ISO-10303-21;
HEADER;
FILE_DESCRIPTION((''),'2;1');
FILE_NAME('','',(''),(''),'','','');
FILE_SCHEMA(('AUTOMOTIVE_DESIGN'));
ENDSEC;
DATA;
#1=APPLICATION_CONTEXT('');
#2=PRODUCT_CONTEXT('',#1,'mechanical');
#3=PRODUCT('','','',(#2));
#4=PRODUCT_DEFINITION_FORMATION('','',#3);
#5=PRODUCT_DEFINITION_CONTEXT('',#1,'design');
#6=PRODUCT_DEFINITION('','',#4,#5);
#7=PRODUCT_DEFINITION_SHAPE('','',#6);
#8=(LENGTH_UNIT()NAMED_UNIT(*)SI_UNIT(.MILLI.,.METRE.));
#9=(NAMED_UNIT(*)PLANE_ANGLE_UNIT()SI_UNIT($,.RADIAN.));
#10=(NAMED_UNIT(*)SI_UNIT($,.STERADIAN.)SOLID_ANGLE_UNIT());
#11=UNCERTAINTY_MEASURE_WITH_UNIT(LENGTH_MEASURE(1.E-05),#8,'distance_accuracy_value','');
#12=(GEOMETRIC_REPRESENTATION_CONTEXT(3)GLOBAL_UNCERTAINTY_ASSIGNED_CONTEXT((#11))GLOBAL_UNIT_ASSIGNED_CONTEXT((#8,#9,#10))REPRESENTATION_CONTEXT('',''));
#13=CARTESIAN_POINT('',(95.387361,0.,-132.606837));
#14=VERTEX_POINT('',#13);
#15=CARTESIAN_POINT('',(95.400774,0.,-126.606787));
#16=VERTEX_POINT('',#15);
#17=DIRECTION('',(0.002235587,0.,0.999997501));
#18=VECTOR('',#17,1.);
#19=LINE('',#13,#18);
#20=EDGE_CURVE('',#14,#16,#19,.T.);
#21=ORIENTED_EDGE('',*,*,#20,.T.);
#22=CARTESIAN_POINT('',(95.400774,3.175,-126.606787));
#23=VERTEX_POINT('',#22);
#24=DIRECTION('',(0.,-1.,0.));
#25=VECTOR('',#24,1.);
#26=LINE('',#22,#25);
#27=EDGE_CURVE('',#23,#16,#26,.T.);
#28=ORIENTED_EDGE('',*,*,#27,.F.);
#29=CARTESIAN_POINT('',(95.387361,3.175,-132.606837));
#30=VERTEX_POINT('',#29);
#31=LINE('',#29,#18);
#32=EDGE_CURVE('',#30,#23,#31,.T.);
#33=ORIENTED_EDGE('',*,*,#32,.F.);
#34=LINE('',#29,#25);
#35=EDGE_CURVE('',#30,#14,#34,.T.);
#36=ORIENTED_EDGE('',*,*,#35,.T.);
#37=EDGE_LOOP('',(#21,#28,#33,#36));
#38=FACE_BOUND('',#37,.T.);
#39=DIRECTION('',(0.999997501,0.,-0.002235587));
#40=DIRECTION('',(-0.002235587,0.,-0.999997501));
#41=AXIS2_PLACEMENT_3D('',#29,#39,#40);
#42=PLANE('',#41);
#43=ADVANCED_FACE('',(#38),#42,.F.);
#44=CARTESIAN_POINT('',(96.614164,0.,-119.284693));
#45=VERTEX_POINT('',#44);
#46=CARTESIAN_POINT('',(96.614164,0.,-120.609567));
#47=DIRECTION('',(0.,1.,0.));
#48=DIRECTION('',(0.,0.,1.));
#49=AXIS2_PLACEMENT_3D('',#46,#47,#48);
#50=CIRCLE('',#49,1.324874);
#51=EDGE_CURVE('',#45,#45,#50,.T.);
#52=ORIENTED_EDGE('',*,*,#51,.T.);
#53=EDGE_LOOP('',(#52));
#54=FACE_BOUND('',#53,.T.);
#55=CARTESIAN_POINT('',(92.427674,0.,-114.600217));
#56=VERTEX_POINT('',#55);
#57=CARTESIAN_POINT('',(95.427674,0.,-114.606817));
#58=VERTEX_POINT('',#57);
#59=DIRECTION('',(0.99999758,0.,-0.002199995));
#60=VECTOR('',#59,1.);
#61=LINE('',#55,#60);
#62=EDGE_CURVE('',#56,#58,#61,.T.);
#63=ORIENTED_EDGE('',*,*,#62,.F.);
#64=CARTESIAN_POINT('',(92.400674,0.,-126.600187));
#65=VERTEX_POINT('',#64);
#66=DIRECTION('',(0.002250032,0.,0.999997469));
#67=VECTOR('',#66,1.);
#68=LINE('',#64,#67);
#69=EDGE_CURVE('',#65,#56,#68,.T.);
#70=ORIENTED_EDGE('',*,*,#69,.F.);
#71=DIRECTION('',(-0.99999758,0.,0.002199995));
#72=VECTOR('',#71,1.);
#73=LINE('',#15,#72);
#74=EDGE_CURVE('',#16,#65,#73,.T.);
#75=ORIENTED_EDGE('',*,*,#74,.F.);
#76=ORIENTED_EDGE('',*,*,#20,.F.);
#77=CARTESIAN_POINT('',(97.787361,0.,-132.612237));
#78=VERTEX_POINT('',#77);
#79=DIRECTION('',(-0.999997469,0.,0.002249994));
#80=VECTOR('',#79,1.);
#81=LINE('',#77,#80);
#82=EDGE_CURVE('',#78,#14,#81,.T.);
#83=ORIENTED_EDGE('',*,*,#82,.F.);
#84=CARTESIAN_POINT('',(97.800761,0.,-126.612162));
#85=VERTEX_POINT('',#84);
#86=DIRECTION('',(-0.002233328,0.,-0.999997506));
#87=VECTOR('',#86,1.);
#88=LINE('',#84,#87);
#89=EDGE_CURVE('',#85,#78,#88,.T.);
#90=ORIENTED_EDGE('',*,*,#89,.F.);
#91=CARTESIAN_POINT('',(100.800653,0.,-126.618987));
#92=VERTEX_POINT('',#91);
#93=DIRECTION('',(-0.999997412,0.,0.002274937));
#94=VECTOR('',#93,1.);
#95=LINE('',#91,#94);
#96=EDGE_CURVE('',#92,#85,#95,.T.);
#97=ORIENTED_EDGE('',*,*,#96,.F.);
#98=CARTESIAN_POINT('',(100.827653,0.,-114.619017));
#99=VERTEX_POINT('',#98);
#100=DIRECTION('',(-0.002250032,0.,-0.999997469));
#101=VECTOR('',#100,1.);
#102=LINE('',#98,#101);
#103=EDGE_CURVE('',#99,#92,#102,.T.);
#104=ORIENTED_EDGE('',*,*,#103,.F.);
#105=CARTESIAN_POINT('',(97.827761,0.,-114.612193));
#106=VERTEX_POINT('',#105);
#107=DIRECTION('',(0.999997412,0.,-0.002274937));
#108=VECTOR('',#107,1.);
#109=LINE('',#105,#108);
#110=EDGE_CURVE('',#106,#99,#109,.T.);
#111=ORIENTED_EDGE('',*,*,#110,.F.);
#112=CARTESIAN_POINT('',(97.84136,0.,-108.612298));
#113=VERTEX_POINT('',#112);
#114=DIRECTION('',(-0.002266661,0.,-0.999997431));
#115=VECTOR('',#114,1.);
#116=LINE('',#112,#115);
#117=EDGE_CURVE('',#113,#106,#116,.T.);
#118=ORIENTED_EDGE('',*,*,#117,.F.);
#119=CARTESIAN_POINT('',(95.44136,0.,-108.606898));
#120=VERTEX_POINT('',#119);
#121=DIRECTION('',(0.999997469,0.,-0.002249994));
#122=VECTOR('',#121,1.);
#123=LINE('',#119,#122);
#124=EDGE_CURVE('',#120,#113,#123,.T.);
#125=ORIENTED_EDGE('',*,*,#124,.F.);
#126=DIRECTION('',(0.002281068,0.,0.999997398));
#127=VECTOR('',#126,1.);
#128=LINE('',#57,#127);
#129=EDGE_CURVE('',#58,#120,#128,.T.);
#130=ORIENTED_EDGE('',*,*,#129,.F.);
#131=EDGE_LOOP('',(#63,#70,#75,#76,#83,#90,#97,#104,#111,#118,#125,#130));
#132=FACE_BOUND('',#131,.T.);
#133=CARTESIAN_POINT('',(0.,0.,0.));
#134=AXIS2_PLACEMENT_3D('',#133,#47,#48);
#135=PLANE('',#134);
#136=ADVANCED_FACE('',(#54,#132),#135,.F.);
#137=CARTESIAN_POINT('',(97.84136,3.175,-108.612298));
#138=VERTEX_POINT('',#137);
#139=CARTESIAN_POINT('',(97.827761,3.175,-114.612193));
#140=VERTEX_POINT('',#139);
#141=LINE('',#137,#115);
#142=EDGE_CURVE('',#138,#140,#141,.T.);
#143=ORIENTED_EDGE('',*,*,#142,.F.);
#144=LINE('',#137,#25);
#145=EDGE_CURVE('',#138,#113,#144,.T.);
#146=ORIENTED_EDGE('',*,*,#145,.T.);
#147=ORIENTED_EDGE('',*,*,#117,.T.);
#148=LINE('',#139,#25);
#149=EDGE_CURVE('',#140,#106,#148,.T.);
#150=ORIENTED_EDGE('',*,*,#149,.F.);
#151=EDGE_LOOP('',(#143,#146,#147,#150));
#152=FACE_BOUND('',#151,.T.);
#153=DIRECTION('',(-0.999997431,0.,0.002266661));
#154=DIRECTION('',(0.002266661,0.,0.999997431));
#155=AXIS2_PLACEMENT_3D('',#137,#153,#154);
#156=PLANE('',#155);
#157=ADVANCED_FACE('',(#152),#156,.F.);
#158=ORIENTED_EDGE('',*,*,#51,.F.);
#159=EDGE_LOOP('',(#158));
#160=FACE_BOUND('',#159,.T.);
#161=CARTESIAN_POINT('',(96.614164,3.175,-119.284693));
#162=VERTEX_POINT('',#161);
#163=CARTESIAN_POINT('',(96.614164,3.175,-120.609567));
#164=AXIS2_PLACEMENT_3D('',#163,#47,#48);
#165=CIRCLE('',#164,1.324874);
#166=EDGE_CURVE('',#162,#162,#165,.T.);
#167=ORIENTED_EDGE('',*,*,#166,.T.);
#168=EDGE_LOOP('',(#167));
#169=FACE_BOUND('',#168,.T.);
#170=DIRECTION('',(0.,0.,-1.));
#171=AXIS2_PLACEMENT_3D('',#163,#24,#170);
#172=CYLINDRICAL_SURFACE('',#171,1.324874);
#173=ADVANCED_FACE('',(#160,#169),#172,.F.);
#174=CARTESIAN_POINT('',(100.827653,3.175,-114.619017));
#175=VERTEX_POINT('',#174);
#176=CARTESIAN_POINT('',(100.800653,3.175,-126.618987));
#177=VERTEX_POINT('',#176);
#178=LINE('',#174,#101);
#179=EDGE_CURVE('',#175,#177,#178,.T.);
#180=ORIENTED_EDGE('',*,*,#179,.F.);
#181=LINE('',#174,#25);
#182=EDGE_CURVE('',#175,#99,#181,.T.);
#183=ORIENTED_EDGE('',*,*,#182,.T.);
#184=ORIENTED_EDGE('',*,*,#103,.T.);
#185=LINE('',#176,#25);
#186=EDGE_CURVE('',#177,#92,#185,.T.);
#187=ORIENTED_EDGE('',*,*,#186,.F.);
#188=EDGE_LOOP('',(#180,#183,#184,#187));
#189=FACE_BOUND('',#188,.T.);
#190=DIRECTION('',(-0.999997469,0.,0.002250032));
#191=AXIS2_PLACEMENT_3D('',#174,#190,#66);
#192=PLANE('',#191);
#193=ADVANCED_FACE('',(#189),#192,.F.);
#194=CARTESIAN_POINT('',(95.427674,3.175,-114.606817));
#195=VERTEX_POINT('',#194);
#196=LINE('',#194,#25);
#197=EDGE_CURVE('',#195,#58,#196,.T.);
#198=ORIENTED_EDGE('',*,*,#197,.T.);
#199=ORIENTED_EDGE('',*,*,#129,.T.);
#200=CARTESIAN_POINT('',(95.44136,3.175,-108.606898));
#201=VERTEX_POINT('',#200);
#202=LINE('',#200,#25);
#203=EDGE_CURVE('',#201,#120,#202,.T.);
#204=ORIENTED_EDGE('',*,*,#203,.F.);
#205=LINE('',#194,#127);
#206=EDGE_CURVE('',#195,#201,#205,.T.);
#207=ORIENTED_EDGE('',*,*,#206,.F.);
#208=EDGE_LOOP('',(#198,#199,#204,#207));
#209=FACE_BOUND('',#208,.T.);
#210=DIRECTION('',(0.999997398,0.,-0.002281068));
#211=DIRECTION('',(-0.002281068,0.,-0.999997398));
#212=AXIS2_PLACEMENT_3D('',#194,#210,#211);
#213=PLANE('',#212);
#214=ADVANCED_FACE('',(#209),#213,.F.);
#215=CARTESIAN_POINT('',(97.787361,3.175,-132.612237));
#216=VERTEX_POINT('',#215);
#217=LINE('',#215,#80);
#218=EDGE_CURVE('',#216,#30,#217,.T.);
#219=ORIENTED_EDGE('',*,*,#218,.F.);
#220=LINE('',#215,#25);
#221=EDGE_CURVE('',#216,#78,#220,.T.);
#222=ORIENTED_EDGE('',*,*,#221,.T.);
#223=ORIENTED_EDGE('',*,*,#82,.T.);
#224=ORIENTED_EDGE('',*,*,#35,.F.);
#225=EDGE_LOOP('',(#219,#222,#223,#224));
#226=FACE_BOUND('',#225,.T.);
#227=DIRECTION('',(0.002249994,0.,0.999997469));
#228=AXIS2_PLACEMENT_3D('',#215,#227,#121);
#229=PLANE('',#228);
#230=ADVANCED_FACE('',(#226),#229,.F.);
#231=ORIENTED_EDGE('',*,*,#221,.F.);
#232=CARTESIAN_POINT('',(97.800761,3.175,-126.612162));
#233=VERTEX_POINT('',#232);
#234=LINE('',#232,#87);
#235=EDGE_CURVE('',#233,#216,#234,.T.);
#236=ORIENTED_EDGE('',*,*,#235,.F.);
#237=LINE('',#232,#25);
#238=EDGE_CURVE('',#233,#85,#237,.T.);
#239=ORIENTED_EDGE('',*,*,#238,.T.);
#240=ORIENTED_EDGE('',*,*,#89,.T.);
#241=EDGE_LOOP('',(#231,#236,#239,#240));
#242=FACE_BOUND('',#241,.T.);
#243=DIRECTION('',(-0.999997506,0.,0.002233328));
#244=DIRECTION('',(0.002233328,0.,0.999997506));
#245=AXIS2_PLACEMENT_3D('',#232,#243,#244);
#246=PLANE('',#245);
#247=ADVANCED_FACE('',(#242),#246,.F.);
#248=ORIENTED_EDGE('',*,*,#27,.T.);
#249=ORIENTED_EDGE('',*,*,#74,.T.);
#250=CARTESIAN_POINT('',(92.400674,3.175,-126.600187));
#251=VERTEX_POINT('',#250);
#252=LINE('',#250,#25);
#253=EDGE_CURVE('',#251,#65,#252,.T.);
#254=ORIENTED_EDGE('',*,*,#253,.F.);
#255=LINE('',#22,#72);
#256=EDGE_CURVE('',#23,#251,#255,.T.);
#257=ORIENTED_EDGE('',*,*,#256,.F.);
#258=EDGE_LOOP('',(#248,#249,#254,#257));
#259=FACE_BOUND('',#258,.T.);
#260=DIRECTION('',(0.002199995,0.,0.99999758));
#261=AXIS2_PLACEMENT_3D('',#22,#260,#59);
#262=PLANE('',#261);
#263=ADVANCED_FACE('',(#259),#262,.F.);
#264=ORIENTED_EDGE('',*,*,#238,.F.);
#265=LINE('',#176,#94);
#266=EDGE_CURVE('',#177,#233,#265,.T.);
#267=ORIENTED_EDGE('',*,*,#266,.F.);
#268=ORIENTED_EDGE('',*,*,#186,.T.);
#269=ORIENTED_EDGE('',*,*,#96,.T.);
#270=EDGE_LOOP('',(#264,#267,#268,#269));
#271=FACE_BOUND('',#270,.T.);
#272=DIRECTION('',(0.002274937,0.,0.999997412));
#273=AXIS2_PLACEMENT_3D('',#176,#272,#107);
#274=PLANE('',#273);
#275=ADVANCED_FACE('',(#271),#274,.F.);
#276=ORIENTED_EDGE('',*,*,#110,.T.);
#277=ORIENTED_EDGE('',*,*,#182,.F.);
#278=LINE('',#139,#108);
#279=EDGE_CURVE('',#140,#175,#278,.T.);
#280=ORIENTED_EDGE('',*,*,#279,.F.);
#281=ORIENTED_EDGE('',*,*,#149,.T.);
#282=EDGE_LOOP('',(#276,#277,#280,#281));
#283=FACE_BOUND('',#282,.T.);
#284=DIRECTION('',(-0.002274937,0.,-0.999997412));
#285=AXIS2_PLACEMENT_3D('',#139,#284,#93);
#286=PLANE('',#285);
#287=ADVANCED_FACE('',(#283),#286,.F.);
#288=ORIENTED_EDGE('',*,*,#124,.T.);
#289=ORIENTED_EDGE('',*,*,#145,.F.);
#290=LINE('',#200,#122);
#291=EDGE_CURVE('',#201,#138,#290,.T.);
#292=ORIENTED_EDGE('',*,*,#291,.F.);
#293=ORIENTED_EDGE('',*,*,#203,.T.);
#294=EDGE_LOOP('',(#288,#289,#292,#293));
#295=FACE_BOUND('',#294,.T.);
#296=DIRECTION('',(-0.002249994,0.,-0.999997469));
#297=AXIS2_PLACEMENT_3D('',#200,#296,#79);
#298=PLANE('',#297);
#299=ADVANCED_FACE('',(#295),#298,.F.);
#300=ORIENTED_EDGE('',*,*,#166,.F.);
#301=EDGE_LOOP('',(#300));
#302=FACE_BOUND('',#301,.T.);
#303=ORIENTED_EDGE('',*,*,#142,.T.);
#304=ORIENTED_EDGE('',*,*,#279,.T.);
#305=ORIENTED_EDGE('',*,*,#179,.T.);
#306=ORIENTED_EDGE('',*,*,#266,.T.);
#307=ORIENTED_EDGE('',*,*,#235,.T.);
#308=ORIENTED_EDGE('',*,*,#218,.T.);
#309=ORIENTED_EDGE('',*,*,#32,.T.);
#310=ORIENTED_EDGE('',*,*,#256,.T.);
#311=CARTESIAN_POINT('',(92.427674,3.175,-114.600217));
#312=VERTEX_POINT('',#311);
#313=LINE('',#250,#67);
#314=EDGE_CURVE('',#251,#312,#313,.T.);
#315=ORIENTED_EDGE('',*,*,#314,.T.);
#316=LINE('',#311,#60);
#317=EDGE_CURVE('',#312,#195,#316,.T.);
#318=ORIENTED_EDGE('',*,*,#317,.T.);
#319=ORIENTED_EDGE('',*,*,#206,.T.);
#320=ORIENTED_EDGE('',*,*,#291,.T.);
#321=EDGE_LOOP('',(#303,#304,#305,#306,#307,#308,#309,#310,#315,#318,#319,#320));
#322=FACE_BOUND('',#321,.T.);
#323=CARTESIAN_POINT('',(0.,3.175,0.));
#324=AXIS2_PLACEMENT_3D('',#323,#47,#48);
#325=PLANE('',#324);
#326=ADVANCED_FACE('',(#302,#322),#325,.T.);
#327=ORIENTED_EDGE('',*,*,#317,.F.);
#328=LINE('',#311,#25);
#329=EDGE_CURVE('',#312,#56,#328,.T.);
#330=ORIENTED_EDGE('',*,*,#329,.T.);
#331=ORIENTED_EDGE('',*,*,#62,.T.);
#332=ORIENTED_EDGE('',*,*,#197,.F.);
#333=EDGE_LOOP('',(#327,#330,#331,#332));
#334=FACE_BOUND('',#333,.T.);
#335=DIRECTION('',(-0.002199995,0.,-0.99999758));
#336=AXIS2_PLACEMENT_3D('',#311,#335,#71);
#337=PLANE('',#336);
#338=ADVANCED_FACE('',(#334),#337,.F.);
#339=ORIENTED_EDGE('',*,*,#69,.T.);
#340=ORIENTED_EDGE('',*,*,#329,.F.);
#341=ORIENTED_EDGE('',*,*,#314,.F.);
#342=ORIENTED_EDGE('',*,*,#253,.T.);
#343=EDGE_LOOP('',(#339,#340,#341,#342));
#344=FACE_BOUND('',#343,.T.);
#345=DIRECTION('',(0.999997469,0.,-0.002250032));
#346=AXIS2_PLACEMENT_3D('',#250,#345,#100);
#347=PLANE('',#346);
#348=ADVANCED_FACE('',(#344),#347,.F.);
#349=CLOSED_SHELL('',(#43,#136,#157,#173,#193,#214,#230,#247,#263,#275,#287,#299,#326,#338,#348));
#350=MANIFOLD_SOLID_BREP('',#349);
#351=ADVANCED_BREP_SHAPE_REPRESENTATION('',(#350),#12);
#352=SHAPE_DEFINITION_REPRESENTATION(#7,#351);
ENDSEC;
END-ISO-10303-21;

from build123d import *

# Parameters (mm, degrees)
SKETCH1_R           = 1.324874029
BOSS_EXTRUDE1_DEPTH = 3.175


with BuildPart() as part:
    # Sketch1 → Boss-Extrude1 (new body)
    with BuildSketch(Plane(origin=(0, 0, 0), x_dir=(1, 0, 0), z_dir=(0, 1, 0))):
        Polygon((95.427674187, 114.606816956), (95.441360448, 108.606897975), (97.841360448, 108.612297975), (97.827760687, 114.612192549), (100.827653149, 114.619017134), (100.800652767, 126.618986762), (97.800760752, 126.612162178), (97.787360584, 132.612237226), (95.387360584, 132.606837226), (95.400774253, 126.606786816), (92.400673805, 126.600186595), (92.427674187, 114.600216956), align=None)
        with Locations(Location((96.614163555, 120.609567157, 0), (0, 0, 270))):
            Circle(SKETCH1_R, mode=Mode.SUBTRACT)
    extrude(amount=BOSS_EXTRUDE1_DEPTH)


solid = part.part
